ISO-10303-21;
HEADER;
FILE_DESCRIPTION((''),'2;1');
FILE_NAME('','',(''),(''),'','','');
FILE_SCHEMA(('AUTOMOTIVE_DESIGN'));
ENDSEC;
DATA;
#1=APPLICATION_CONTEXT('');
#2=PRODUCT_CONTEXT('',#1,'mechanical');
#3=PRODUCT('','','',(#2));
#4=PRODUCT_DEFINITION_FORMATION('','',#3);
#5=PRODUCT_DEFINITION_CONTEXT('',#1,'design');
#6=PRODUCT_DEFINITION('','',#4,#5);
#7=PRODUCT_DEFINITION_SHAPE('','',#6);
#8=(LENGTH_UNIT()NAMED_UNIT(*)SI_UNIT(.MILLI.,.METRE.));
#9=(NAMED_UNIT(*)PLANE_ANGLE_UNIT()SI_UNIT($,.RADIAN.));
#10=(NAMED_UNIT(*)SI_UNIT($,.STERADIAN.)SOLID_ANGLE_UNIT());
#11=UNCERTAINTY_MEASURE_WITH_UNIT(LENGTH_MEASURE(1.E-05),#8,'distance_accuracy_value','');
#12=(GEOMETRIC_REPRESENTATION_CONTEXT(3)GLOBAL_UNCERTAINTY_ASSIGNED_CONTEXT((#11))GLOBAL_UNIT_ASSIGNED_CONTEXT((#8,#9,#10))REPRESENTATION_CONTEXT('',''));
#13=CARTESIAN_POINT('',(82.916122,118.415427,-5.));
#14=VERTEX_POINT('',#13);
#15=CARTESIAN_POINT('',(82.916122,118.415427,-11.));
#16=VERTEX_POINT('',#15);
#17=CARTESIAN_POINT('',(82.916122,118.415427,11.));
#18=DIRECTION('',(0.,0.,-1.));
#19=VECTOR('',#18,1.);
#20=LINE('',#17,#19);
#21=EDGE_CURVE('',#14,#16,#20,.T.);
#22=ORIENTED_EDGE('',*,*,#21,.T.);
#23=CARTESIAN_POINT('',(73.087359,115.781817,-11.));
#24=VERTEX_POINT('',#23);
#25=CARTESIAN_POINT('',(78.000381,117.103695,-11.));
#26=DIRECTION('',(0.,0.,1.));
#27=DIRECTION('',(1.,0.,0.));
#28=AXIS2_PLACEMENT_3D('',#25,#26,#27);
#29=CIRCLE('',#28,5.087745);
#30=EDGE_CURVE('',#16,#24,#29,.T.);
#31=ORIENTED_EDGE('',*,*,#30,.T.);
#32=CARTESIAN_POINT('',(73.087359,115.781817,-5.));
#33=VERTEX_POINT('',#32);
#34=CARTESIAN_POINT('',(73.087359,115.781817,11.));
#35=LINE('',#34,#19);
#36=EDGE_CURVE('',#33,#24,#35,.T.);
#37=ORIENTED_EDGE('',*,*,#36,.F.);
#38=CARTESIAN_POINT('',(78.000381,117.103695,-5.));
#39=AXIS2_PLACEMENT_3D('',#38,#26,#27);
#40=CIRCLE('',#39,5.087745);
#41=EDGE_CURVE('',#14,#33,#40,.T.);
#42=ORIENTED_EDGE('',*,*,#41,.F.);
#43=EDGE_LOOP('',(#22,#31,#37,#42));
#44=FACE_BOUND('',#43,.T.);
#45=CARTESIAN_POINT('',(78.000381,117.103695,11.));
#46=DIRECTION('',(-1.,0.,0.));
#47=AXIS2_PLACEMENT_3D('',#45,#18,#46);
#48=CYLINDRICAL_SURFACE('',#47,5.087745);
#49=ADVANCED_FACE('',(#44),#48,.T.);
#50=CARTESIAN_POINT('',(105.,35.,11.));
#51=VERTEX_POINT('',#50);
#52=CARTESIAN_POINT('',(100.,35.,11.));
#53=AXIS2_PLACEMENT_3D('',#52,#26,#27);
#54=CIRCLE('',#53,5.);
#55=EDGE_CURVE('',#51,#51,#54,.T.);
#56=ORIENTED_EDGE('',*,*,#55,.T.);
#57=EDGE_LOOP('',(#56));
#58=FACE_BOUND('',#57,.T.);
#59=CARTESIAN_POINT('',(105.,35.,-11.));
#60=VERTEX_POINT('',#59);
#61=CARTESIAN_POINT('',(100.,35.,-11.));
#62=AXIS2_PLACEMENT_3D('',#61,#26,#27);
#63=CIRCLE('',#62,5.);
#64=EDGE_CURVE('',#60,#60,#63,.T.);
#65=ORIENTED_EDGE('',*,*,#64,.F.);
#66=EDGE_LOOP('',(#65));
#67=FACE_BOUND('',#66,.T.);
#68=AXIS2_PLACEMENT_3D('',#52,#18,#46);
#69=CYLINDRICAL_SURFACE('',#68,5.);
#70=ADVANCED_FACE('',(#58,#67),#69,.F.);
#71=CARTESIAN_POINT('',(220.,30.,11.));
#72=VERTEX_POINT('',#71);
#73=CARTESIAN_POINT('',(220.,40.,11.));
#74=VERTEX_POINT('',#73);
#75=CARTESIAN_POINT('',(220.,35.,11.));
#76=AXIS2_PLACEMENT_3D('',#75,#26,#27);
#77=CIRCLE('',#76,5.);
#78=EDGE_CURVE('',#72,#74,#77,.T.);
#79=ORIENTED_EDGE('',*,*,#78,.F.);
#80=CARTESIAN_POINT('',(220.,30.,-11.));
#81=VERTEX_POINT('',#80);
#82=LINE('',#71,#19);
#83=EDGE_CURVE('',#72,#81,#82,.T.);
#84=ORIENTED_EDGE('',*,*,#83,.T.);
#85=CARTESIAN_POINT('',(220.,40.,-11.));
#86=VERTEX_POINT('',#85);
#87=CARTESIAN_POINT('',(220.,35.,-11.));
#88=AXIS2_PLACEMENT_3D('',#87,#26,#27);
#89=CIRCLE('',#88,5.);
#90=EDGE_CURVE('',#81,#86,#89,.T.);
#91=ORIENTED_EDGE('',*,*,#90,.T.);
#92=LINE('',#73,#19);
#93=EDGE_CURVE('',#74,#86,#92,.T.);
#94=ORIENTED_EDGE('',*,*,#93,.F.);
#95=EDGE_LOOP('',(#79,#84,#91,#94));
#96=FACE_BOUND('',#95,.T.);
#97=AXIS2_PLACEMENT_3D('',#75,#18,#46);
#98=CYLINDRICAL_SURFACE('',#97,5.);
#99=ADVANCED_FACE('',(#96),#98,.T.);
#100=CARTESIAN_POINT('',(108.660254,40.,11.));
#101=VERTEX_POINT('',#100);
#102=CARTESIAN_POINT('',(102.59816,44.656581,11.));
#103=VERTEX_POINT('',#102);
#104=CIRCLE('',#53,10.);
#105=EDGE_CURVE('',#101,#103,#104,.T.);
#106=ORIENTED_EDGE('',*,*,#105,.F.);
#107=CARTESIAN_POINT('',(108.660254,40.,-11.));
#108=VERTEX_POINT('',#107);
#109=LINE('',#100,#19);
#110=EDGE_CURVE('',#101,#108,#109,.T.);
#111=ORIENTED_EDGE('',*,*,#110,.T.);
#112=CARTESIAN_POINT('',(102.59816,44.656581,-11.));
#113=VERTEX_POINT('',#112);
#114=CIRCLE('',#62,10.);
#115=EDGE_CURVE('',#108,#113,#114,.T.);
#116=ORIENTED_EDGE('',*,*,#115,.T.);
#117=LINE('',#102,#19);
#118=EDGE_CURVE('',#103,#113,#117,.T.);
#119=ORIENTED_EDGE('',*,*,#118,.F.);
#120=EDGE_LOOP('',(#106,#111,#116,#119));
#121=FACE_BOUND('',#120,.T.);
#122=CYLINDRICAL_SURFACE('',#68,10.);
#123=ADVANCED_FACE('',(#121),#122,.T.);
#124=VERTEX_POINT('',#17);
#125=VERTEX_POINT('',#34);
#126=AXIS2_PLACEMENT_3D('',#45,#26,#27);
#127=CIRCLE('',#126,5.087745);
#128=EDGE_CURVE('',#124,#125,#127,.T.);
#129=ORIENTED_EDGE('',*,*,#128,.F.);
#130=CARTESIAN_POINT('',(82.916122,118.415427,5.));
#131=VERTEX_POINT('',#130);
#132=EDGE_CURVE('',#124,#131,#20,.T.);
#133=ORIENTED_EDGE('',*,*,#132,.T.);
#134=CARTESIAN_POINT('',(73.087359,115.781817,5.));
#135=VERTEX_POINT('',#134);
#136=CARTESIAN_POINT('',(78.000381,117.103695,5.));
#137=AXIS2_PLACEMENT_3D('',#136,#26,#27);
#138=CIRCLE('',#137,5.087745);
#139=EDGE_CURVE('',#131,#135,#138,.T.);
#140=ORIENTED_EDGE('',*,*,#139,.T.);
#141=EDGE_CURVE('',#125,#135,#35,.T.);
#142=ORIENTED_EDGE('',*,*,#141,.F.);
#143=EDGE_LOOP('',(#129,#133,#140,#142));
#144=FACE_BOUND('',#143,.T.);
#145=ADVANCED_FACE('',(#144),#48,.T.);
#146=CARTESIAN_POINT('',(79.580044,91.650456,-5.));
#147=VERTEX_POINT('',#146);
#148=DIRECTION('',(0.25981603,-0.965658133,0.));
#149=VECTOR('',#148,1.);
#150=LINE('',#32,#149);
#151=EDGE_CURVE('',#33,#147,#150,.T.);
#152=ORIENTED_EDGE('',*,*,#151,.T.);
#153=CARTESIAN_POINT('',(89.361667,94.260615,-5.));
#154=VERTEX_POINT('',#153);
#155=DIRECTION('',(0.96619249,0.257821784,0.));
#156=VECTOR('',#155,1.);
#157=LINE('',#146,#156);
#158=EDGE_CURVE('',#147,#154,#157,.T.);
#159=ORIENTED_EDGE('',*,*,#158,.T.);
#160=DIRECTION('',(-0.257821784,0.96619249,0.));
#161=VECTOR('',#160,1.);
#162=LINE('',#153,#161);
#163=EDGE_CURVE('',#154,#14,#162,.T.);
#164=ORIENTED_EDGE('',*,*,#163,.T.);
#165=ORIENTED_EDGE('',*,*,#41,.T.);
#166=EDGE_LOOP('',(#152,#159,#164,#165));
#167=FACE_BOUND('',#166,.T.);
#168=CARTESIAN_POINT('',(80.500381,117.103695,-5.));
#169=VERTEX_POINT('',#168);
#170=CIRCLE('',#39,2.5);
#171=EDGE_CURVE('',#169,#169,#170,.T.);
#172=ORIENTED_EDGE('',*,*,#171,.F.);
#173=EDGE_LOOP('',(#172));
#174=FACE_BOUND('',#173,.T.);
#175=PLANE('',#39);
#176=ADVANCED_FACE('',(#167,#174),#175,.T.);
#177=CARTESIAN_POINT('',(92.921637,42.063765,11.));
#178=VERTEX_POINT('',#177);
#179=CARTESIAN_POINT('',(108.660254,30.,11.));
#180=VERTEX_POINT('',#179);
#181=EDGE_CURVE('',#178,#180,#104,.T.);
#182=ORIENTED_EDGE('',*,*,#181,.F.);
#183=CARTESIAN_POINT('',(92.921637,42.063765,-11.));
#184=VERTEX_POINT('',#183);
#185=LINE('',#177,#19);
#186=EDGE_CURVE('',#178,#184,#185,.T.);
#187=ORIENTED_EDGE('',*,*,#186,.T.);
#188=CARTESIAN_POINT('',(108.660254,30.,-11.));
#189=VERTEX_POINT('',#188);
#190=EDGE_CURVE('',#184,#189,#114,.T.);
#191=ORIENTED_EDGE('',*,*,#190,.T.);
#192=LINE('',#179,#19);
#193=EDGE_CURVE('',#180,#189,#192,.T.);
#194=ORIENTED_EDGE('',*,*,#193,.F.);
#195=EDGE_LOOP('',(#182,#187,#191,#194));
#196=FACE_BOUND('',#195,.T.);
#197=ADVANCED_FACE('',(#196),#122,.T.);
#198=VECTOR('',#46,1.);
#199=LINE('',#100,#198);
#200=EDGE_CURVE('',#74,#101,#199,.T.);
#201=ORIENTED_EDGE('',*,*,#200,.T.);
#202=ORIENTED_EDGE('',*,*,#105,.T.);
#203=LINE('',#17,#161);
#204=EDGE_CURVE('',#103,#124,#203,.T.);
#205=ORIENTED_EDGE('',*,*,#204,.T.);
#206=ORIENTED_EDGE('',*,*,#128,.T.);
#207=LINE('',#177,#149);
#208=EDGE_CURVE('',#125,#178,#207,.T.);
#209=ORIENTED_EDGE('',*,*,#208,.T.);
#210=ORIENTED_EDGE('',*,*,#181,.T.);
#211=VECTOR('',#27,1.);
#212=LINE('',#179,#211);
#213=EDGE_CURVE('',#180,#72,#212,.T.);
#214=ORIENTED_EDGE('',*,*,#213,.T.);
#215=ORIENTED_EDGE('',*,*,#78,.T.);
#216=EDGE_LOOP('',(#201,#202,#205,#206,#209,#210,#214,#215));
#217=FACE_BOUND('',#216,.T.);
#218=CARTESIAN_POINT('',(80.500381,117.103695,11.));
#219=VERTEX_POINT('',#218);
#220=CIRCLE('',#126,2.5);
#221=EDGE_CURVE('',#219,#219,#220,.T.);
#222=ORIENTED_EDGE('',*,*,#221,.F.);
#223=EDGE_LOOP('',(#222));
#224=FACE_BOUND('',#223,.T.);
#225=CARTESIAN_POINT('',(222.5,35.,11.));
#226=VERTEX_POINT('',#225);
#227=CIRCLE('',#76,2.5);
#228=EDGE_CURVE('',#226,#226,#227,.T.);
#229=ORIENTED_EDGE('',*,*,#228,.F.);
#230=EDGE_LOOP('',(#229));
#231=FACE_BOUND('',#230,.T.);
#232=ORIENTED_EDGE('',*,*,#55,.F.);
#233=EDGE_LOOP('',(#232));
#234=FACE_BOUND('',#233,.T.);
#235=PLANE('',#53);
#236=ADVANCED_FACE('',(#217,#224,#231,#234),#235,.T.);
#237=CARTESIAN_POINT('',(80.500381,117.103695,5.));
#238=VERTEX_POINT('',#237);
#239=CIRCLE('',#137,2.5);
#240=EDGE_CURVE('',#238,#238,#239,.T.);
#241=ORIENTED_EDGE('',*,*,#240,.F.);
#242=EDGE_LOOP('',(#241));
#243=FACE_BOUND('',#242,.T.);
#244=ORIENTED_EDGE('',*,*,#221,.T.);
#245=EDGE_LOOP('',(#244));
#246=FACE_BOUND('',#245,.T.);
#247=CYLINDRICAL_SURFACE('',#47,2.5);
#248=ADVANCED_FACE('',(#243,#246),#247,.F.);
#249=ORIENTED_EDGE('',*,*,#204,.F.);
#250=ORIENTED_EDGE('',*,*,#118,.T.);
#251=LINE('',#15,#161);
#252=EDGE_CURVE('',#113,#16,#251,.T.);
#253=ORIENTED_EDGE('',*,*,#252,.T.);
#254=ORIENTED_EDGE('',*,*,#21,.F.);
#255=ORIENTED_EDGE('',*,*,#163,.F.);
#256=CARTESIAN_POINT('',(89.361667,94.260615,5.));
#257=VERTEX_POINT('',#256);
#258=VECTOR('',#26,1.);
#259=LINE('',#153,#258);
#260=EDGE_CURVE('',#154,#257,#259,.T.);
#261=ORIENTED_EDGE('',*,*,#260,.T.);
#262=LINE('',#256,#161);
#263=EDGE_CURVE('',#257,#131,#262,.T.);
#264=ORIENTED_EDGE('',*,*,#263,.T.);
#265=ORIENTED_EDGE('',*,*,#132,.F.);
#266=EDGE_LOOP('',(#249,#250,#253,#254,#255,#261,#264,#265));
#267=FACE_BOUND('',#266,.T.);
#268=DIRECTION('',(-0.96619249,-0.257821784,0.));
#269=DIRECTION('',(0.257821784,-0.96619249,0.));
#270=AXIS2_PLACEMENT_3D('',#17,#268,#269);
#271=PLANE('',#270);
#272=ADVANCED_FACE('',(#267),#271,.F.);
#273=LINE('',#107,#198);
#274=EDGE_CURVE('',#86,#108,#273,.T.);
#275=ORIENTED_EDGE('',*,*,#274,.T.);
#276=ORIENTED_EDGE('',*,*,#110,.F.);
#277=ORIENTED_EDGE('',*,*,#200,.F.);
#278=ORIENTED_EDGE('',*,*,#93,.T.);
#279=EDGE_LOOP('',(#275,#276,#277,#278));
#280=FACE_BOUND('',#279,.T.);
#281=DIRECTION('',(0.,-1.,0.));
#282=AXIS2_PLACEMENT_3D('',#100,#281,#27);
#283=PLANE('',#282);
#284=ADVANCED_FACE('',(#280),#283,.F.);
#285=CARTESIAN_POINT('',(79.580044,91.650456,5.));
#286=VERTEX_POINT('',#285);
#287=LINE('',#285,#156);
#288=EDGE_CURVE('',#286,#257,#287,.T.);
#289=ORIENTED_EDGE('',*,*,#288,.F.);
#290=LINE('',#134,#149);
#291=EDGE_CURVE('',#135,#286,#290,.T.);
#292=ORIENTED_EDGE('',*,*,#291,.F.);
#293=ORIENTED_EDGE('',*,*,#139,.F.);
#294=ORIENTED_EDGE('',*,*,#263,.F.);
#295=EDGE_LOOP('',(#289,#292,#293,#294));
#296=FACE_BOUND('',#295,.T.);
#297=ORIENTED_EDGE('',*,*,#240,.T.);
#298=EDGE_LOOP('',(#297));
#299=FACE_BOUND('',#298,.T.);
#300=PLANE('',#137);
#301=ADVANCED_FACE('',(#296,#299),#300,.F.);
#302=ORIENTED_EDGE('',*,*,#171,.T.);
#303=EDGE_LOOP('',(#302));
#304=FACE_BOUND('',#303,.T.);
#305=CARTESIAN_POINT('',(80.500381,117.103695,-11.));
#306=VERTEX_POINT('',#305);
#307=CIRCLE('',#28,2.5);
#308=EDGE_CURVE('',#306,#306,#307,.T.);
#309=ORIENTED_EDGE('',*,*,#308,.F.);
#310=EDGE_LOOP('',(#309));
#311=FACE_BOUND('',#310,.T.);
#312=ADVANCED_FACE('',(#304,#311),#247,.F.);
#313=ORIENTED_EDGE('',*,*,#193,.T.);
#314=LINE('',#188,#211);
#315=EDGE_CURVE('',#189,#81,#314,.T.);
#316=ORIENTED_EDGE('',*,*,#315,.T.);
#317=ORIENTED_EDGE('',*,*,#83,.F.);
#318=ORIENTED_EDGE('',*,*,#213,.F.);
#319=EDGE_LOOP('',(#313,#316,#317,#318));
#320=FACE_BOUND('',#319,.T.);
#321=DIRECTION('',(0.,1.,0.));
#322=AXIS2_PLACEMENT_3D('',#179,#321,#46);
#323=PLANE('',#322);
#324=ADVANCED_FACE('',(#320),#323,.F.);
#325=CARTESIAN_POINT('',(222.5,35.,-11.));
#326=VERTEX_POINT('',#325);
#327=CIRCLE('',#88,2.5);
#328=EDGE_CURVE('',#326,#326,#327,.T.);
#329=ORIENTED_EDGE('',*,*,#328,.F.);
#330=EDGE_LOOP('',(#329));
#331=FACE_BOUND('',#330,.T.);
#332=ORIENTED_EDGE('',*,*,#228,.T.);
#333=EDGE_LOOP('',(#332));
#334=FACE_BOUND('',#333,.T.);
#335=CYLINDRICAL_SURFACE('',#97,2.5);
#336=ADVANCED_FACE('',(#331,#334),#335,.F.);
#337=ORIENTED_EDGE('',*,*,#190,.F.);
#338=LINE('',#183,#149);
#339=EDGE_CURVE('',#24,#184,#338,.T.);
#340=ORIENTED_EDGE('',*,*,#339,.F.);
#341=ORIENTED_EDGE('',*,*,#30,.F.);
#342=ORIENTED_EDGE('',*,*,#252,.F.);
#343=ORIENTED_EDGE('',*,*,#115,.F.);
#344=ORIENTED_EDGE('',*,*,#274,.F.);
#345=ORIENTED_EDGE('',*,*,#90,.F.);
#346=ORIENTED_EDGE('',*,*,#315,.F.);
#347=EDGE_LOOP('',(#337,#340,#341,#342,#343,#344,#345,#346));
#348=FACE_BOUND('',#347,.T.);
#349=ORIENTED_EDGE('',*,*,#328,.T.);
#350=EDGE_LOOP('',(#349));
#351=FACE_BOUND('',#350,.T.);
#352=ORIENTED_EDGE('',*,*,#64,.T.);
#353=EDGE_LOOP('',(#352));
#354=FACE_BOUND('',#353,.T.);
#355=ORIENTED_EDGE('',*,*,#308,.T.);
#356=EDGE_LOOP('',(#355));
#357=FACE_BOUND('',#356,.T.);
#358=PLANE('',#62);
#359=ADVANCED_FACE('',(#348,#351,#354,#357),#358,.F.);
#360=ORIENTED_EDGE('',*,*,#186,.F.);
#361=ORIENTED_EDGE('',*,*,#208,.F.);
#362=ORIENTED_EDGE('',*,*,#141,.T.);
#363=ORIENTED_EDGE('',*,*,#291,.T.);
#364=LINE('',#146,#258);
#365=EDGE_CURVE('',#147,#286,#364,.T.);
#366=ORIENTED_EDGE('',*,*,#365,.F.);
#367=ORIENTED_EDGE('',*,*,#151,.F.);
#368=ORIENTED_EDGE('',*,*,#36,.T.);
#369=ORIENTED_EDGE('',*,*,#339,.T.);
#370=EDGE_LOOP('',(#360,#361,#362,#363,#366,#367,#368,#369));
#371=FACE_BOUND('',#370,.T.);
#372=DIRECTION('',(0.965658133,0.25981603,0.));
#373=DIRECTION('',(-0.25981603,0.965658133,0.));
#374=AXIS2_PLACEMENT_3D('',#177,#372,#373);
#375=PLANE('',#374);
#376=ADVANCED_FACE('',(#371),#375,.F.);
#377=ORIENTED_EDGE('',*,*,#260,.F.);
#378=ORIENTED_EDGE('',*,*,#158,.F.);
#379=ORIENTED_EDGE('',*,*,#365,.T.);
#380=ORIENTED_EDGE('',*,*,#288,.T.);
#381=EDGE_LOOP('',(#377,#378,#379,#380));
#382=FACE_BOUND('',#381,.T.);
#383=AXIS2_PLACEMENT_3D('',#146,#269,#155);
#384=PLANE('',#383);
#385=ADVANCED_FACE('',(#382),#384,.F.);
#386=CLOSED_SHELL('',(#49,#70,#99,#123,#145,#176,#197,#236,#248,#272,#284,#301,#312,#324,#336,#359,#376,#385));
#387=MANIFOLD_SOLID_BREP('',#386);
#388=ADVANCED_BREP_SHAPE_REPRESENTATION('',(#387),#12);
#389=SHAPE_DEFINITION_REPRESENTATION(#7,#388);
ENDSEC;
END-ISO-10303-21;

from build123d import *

# Parameters (mm, degrees)
SKETCH_1_R          = 2.5
SKETCH_1_R_2        = 5
EXTRUDE_1_DEPTH     = 11
SKETCH_1_2_R        = 5
SKETCH_1_2_R_2      = 2.5
EXTRUDE_2_DEPTH     = 11
SKETCH_3_R          = 2.5
CUT_EXTRUDE_1_DEPTH = 5


with BuildPart() as part:
    # 草图1 → 凸台-拉伸1 (new, symmetric)
    with BuildSketch(Plane.XY):
        with BuildLine():
            Line((82.916122479, 118.415426808), (102.598160303, 44.656581333))
            ThreePointArc((102.598160303, 44.656581333), (106.091708364, 42.93039023), (108.660254038, 40))
            Line((108.660254038, 40), (220, 40))
            ThreePointArc((220, 40), (225, 35), (220, 30))
            Line((220, 30), (108.660254038, 30))
            ThreePointArc((108.660254038, 30), (93.916481406, 27.063325538), (92.921636508, 42.063764596))
            Line((92.921636508, 42.063764596), (73.087358524, 115.781817444))
            ThreePointArc((73.087358524, 115.781817444), (76.683575783, 122.01807983), (82.916122479, 118.415426808))
        make_face()
        with Locations((78.000381166, 117.103695235)):
            Circle(SKETCH_1_R, mode=Mode.SUBTRACT)
        with Locations((220, 35)):
            Circle(SKETCH_1_R, mode=Mode.SUBTRACT)
        with Locations((100, 35)):
            Circle(SKETCH_1_R_2, mode=Mode.SUBTRACT)
    extrude(amount=EXTRUDE_1_DEPTH, both=True)

    # 草图1<2> → 凸台-拉伸2 (add, symmetric)
    with BuildSketch(Plane.XY):
        with BuildLine():
            Line((102.598160303, 44.656581333), (82.916122479, 118.415426808))
            ThreePointArc((82.916122479, 118.415426808), (76.683575783, 122.01807983), (73.087358524, 115.781817444))
            Line((73.087358524, 115.781817444), (92.921636508, 42.063764596))
            ThreePointArc((92.921636508, 42.063764596), (93.916481406, 27.063325538), (108.660254038, 30))
            Line((108.660254038, 30), (220, 30))
            ThreePointArc((220, 30), (225, 35), (220, 40))
            Line((220, 40), (108.660254038, 40))
            ThreePointArc((108.660254038, 40), (106.091708364, 42.93039023), (102.598160303, 44.656581333))
        make_face()
        with Locations((100, 35)):
            Circle(SKETCH_1_2_R, mode=Mode.SUBTRACT)
        with Locations((220, 35)):
            Circle(SKETCH_1_2_R_2, mode=Mode.SUBTRACT)
        with Locations((78.000381166, 117.103695235)):
            Circle(SKETCH_1_2_R_2, mode=Mode.SUBTRACT)
    extrude(amount=EXTRUDE_2_DEPTH, both=True)

    # 草图3 → 切除-拉伸1 (cut, symmetric)
    with BuildSketch(Plane.XY):
        with BuildLine():
            Line((89.361667081, 94.260614559), (82.916122479, 118.415426808))
            ThreePointArc((82.916122479, 118.415426808), (76.683575783, 122.01807983), (73.087358524, 115.781817444))
            Line((73.087358524, 115.781817444), (79.580043978, 91.650456081))
            Line((79.580043978, 91.650456081), (89.361667081, 94.260614559))
        make_face()
        with Locations((78.000381166, 117.103695235)):
            Circle(SKETCH_3_R, mode=Mode.SUBTRACT)
    extrude(amount=CUT_EXTRUDE_1_DEPTH, both=True, mode=Mode.SUBTRACT)


solid = part.part
